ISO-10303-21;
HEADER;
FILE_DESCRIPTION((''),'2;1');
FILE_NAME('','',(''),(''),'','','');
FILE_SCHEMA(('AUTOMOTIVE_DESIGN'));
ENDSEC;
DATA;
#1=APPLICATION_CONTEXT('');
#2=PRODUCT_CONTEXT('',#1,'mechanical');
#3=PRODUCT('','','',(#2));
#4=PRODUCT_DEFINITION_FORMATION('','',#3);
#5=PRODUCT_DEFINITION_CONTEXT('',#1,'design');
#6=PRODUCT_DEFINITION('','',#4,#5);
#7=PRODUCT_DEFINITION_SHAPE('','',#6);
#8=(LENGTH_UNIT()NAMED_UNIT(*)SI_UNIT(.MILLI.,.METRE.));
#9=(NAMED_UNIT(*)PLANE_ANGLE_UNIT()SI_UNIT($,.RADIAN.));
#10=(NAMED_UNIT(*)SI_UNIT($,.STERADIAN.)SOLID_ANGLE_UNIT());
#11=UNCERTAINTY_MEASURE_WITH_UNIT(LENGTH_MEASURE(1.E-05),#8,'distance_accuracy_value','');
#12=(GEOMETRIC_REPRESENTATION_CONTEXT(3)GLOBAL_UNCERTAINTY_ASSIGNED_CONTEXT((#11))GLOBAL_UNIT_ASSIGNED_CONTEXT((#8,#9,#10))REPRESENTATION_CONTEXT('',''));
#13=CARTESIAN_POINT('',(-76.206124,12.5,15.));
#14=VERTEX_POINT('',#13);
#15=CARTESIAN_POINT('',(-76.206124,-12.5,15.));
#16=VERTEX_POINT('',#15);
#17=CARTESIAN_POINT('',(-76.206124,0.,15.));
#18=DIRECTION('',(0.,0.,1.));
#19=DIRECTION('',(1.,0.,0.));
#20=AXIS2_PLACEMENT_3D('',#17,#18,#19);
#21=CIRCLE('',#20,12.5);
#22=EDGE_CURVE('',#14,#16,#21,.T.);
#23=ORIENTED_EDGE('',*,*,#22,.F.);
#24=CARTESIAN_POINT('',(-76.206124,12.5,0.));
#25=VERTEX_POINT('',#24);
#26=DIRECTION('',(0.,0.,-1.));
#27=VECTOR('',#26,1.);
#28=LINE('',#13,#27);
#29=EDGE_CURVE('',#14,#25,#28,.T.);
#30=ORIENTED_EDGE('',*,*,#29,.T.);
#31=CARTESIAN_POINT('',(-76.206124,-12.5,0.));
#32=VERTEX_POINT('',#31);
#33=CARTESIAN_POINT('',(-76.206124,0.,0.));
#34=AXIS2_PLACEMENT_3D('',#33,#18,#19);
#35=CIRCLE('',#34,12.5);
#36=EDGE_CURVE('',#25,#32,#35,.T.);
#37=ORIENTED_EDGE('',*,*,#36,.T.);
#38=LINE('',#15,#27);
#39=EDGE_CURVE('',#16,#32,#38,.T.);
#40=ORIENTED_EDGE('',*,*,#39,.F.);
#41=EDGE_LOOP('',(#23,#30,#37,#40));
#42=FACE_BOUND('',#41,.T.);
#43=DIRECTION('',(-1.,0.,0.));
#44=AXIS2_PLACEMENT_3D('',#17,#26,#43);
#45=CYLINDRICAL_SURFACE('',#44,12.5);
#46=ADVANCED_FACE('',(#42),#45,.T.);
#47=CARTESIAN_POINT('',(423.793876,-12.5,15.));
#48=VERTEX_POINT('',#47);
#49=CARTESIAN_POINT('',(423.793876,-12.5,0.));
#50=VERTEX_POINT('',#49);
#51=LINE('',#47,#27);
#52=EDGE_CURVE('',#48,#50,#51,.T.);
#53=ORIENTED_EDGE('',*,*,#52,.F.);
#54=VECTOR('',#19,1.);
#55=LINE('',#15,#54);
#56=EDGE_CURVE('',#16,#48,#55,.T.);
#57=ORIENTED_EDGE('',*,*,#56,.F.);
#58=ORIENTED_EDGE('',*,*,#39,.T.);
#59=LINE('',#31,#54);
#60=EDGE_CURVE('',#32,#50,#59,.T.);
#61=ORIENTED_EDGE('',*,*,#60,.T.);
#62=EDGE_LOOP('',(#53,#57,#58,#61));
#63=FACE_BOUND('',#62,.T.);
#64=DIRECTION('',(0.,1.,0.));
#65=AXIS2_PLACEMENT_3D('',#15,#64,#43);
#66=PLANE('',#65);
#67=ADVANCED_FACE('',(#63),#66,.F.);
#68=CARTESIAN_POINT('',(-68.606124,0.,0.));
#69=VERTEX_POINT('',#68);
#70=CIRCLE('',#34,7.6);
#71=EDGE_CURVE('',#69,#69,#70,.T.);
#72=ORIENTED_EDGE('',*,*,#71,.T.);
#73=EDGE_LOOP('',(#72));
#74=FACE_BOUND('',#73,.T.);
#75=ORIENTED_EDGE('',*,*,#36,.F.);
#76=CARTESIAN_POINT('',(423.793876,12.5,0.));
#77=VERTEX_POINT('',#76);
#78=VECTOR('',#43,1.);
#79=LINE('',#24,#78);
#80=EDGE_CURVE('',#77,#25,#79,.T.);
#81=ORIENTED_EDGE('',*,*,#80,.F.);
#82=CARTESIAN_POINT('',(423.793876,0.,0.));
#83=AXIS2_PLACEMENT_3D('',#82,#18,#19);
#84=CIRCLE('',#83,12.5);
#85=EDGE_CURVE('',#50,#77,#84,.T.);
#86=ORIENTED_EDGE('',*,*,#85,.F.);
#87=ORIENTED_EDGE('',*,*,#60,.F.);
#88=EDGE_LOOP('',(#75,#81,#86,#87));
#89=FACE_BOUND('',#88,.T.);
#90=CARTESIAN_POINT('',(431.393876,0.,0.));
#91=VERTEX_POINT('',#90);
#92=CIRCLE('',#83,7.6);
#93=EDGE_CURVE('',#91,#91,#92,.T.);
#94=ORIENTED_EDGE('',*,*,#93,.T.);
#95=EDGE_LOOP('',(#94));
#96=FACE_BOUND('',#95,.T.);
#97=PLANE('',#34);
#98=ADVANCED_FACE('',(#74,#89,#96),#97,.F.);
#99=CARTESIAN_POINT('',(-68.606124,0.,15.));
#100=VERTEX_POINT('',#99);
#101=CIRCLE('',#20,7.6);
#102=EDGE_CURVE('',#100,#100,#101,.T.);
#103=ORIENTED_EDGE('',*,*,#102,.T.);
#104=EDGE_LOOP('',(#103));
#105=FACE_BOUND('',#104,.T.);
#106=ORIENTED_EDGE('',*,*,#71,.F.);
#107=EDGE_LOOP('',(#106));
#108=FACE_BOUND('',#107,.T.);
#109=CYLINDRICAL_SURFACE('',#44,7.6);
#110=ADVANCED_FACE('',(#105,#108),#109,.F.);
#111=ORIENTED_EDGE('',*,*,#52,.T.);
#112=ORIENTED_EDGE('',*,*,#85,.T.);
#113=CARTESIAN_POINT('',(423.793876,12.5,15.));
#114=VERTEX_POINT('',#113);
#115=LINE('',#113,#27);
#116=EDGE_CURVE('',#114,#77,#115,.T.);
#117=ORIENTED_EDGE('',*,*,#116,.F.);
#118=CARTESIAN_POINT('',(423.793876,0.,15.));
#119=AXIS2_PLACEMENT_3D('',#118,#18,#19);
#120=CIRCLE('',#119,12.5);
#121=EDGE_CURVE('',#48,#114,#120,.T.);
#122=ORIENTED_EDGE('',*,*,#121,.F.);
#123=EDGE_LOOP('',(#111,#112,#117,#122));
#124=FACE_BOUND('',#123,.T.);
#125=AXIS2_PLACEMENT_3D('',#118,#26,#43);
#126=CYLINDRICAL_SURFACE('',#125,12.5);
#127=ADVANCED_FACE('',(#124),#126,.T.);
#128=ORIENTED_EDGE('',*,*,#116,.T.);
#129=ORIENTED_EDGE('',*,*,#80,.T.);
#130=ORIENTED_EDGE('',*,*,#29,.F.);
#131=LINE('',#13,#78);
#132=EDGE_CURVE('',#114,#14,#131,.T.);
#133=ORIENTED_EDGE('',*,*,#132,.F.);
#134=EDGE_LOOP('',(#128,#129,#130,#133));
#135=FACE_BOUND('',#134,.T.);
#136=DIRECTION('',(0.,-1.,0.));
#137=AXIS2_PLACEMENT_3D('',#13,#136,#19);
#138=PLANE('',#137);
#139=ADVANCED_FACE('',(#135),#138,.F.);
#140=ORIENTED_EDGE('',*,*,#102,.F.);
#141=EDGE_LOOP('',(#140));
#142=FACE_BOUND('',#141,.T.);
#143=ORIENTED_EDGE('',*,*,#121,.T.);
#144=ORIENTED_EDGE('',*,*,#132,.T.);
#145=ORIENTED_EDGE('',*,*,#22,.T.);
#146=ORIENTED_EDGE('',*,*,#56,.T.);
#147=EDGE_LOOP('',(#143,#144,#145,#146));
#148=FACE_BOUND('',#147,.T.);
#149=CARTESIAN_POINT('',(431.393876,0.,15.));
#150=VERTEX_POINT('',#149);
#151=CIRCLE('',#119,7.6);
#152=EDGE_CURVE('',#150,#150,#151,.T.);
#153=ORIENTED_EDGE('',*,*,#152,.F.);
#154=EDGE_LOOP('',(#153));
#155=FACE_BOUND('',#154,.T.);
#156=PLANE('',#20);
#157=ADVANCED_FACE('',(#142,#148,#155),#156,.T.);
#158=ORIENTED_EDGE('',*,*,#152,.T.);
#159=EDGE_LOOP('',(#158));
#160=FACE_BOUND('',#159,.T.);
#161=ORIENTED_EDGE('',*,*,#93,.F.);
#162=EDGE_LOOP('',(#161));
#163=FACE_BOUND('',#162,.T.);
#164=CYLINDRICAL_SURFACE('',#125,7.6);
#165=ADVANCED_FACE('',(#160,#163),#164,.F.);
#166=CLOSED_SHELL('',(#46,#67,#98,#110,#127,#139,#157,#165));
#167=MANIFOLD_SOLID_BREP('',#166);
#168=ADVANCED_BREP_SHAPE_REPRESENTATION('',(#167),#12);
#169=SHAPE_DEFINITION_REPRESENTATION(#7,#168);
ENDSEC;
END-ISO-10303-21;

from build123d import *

# Parameters (mm, degrees)
ESQUISSE1_R        = 7.6
BOSS_EXTRU_1_DEPTH = 15


with BuildPart() as part:
    # Esquisse1 → Boss.-Extru.1 (new body)
    with BuildSketch(Plane.XY):
        with BuildLine():
            Line((-76.206124365, 12.5), (423.793875635, 12.5))
            ThreePointArc((423.793875635, 12.5), (436.293875635, 0), (423.793875635, -12.5))
            Line((423.793875635, -12.5), (-76.206124365, -12.5))
            ThreePointArc((-76.206124365, -12.5), (-88.706124365, 0), (-76.206124365, 12.5))
        make_face()
        with Locations((-76.206124365, 0)):
            Circle(ESQUISSE1_R, mode=Mode.SUBTRACT)
        with Locations((423.793875635, 0)):
            Circle(ESQUISSE1_R, mode=Mode.SUBTRACT)
    extrude(amount=BOSS_EXTRU_1_DEPTH)


solid = part.part
